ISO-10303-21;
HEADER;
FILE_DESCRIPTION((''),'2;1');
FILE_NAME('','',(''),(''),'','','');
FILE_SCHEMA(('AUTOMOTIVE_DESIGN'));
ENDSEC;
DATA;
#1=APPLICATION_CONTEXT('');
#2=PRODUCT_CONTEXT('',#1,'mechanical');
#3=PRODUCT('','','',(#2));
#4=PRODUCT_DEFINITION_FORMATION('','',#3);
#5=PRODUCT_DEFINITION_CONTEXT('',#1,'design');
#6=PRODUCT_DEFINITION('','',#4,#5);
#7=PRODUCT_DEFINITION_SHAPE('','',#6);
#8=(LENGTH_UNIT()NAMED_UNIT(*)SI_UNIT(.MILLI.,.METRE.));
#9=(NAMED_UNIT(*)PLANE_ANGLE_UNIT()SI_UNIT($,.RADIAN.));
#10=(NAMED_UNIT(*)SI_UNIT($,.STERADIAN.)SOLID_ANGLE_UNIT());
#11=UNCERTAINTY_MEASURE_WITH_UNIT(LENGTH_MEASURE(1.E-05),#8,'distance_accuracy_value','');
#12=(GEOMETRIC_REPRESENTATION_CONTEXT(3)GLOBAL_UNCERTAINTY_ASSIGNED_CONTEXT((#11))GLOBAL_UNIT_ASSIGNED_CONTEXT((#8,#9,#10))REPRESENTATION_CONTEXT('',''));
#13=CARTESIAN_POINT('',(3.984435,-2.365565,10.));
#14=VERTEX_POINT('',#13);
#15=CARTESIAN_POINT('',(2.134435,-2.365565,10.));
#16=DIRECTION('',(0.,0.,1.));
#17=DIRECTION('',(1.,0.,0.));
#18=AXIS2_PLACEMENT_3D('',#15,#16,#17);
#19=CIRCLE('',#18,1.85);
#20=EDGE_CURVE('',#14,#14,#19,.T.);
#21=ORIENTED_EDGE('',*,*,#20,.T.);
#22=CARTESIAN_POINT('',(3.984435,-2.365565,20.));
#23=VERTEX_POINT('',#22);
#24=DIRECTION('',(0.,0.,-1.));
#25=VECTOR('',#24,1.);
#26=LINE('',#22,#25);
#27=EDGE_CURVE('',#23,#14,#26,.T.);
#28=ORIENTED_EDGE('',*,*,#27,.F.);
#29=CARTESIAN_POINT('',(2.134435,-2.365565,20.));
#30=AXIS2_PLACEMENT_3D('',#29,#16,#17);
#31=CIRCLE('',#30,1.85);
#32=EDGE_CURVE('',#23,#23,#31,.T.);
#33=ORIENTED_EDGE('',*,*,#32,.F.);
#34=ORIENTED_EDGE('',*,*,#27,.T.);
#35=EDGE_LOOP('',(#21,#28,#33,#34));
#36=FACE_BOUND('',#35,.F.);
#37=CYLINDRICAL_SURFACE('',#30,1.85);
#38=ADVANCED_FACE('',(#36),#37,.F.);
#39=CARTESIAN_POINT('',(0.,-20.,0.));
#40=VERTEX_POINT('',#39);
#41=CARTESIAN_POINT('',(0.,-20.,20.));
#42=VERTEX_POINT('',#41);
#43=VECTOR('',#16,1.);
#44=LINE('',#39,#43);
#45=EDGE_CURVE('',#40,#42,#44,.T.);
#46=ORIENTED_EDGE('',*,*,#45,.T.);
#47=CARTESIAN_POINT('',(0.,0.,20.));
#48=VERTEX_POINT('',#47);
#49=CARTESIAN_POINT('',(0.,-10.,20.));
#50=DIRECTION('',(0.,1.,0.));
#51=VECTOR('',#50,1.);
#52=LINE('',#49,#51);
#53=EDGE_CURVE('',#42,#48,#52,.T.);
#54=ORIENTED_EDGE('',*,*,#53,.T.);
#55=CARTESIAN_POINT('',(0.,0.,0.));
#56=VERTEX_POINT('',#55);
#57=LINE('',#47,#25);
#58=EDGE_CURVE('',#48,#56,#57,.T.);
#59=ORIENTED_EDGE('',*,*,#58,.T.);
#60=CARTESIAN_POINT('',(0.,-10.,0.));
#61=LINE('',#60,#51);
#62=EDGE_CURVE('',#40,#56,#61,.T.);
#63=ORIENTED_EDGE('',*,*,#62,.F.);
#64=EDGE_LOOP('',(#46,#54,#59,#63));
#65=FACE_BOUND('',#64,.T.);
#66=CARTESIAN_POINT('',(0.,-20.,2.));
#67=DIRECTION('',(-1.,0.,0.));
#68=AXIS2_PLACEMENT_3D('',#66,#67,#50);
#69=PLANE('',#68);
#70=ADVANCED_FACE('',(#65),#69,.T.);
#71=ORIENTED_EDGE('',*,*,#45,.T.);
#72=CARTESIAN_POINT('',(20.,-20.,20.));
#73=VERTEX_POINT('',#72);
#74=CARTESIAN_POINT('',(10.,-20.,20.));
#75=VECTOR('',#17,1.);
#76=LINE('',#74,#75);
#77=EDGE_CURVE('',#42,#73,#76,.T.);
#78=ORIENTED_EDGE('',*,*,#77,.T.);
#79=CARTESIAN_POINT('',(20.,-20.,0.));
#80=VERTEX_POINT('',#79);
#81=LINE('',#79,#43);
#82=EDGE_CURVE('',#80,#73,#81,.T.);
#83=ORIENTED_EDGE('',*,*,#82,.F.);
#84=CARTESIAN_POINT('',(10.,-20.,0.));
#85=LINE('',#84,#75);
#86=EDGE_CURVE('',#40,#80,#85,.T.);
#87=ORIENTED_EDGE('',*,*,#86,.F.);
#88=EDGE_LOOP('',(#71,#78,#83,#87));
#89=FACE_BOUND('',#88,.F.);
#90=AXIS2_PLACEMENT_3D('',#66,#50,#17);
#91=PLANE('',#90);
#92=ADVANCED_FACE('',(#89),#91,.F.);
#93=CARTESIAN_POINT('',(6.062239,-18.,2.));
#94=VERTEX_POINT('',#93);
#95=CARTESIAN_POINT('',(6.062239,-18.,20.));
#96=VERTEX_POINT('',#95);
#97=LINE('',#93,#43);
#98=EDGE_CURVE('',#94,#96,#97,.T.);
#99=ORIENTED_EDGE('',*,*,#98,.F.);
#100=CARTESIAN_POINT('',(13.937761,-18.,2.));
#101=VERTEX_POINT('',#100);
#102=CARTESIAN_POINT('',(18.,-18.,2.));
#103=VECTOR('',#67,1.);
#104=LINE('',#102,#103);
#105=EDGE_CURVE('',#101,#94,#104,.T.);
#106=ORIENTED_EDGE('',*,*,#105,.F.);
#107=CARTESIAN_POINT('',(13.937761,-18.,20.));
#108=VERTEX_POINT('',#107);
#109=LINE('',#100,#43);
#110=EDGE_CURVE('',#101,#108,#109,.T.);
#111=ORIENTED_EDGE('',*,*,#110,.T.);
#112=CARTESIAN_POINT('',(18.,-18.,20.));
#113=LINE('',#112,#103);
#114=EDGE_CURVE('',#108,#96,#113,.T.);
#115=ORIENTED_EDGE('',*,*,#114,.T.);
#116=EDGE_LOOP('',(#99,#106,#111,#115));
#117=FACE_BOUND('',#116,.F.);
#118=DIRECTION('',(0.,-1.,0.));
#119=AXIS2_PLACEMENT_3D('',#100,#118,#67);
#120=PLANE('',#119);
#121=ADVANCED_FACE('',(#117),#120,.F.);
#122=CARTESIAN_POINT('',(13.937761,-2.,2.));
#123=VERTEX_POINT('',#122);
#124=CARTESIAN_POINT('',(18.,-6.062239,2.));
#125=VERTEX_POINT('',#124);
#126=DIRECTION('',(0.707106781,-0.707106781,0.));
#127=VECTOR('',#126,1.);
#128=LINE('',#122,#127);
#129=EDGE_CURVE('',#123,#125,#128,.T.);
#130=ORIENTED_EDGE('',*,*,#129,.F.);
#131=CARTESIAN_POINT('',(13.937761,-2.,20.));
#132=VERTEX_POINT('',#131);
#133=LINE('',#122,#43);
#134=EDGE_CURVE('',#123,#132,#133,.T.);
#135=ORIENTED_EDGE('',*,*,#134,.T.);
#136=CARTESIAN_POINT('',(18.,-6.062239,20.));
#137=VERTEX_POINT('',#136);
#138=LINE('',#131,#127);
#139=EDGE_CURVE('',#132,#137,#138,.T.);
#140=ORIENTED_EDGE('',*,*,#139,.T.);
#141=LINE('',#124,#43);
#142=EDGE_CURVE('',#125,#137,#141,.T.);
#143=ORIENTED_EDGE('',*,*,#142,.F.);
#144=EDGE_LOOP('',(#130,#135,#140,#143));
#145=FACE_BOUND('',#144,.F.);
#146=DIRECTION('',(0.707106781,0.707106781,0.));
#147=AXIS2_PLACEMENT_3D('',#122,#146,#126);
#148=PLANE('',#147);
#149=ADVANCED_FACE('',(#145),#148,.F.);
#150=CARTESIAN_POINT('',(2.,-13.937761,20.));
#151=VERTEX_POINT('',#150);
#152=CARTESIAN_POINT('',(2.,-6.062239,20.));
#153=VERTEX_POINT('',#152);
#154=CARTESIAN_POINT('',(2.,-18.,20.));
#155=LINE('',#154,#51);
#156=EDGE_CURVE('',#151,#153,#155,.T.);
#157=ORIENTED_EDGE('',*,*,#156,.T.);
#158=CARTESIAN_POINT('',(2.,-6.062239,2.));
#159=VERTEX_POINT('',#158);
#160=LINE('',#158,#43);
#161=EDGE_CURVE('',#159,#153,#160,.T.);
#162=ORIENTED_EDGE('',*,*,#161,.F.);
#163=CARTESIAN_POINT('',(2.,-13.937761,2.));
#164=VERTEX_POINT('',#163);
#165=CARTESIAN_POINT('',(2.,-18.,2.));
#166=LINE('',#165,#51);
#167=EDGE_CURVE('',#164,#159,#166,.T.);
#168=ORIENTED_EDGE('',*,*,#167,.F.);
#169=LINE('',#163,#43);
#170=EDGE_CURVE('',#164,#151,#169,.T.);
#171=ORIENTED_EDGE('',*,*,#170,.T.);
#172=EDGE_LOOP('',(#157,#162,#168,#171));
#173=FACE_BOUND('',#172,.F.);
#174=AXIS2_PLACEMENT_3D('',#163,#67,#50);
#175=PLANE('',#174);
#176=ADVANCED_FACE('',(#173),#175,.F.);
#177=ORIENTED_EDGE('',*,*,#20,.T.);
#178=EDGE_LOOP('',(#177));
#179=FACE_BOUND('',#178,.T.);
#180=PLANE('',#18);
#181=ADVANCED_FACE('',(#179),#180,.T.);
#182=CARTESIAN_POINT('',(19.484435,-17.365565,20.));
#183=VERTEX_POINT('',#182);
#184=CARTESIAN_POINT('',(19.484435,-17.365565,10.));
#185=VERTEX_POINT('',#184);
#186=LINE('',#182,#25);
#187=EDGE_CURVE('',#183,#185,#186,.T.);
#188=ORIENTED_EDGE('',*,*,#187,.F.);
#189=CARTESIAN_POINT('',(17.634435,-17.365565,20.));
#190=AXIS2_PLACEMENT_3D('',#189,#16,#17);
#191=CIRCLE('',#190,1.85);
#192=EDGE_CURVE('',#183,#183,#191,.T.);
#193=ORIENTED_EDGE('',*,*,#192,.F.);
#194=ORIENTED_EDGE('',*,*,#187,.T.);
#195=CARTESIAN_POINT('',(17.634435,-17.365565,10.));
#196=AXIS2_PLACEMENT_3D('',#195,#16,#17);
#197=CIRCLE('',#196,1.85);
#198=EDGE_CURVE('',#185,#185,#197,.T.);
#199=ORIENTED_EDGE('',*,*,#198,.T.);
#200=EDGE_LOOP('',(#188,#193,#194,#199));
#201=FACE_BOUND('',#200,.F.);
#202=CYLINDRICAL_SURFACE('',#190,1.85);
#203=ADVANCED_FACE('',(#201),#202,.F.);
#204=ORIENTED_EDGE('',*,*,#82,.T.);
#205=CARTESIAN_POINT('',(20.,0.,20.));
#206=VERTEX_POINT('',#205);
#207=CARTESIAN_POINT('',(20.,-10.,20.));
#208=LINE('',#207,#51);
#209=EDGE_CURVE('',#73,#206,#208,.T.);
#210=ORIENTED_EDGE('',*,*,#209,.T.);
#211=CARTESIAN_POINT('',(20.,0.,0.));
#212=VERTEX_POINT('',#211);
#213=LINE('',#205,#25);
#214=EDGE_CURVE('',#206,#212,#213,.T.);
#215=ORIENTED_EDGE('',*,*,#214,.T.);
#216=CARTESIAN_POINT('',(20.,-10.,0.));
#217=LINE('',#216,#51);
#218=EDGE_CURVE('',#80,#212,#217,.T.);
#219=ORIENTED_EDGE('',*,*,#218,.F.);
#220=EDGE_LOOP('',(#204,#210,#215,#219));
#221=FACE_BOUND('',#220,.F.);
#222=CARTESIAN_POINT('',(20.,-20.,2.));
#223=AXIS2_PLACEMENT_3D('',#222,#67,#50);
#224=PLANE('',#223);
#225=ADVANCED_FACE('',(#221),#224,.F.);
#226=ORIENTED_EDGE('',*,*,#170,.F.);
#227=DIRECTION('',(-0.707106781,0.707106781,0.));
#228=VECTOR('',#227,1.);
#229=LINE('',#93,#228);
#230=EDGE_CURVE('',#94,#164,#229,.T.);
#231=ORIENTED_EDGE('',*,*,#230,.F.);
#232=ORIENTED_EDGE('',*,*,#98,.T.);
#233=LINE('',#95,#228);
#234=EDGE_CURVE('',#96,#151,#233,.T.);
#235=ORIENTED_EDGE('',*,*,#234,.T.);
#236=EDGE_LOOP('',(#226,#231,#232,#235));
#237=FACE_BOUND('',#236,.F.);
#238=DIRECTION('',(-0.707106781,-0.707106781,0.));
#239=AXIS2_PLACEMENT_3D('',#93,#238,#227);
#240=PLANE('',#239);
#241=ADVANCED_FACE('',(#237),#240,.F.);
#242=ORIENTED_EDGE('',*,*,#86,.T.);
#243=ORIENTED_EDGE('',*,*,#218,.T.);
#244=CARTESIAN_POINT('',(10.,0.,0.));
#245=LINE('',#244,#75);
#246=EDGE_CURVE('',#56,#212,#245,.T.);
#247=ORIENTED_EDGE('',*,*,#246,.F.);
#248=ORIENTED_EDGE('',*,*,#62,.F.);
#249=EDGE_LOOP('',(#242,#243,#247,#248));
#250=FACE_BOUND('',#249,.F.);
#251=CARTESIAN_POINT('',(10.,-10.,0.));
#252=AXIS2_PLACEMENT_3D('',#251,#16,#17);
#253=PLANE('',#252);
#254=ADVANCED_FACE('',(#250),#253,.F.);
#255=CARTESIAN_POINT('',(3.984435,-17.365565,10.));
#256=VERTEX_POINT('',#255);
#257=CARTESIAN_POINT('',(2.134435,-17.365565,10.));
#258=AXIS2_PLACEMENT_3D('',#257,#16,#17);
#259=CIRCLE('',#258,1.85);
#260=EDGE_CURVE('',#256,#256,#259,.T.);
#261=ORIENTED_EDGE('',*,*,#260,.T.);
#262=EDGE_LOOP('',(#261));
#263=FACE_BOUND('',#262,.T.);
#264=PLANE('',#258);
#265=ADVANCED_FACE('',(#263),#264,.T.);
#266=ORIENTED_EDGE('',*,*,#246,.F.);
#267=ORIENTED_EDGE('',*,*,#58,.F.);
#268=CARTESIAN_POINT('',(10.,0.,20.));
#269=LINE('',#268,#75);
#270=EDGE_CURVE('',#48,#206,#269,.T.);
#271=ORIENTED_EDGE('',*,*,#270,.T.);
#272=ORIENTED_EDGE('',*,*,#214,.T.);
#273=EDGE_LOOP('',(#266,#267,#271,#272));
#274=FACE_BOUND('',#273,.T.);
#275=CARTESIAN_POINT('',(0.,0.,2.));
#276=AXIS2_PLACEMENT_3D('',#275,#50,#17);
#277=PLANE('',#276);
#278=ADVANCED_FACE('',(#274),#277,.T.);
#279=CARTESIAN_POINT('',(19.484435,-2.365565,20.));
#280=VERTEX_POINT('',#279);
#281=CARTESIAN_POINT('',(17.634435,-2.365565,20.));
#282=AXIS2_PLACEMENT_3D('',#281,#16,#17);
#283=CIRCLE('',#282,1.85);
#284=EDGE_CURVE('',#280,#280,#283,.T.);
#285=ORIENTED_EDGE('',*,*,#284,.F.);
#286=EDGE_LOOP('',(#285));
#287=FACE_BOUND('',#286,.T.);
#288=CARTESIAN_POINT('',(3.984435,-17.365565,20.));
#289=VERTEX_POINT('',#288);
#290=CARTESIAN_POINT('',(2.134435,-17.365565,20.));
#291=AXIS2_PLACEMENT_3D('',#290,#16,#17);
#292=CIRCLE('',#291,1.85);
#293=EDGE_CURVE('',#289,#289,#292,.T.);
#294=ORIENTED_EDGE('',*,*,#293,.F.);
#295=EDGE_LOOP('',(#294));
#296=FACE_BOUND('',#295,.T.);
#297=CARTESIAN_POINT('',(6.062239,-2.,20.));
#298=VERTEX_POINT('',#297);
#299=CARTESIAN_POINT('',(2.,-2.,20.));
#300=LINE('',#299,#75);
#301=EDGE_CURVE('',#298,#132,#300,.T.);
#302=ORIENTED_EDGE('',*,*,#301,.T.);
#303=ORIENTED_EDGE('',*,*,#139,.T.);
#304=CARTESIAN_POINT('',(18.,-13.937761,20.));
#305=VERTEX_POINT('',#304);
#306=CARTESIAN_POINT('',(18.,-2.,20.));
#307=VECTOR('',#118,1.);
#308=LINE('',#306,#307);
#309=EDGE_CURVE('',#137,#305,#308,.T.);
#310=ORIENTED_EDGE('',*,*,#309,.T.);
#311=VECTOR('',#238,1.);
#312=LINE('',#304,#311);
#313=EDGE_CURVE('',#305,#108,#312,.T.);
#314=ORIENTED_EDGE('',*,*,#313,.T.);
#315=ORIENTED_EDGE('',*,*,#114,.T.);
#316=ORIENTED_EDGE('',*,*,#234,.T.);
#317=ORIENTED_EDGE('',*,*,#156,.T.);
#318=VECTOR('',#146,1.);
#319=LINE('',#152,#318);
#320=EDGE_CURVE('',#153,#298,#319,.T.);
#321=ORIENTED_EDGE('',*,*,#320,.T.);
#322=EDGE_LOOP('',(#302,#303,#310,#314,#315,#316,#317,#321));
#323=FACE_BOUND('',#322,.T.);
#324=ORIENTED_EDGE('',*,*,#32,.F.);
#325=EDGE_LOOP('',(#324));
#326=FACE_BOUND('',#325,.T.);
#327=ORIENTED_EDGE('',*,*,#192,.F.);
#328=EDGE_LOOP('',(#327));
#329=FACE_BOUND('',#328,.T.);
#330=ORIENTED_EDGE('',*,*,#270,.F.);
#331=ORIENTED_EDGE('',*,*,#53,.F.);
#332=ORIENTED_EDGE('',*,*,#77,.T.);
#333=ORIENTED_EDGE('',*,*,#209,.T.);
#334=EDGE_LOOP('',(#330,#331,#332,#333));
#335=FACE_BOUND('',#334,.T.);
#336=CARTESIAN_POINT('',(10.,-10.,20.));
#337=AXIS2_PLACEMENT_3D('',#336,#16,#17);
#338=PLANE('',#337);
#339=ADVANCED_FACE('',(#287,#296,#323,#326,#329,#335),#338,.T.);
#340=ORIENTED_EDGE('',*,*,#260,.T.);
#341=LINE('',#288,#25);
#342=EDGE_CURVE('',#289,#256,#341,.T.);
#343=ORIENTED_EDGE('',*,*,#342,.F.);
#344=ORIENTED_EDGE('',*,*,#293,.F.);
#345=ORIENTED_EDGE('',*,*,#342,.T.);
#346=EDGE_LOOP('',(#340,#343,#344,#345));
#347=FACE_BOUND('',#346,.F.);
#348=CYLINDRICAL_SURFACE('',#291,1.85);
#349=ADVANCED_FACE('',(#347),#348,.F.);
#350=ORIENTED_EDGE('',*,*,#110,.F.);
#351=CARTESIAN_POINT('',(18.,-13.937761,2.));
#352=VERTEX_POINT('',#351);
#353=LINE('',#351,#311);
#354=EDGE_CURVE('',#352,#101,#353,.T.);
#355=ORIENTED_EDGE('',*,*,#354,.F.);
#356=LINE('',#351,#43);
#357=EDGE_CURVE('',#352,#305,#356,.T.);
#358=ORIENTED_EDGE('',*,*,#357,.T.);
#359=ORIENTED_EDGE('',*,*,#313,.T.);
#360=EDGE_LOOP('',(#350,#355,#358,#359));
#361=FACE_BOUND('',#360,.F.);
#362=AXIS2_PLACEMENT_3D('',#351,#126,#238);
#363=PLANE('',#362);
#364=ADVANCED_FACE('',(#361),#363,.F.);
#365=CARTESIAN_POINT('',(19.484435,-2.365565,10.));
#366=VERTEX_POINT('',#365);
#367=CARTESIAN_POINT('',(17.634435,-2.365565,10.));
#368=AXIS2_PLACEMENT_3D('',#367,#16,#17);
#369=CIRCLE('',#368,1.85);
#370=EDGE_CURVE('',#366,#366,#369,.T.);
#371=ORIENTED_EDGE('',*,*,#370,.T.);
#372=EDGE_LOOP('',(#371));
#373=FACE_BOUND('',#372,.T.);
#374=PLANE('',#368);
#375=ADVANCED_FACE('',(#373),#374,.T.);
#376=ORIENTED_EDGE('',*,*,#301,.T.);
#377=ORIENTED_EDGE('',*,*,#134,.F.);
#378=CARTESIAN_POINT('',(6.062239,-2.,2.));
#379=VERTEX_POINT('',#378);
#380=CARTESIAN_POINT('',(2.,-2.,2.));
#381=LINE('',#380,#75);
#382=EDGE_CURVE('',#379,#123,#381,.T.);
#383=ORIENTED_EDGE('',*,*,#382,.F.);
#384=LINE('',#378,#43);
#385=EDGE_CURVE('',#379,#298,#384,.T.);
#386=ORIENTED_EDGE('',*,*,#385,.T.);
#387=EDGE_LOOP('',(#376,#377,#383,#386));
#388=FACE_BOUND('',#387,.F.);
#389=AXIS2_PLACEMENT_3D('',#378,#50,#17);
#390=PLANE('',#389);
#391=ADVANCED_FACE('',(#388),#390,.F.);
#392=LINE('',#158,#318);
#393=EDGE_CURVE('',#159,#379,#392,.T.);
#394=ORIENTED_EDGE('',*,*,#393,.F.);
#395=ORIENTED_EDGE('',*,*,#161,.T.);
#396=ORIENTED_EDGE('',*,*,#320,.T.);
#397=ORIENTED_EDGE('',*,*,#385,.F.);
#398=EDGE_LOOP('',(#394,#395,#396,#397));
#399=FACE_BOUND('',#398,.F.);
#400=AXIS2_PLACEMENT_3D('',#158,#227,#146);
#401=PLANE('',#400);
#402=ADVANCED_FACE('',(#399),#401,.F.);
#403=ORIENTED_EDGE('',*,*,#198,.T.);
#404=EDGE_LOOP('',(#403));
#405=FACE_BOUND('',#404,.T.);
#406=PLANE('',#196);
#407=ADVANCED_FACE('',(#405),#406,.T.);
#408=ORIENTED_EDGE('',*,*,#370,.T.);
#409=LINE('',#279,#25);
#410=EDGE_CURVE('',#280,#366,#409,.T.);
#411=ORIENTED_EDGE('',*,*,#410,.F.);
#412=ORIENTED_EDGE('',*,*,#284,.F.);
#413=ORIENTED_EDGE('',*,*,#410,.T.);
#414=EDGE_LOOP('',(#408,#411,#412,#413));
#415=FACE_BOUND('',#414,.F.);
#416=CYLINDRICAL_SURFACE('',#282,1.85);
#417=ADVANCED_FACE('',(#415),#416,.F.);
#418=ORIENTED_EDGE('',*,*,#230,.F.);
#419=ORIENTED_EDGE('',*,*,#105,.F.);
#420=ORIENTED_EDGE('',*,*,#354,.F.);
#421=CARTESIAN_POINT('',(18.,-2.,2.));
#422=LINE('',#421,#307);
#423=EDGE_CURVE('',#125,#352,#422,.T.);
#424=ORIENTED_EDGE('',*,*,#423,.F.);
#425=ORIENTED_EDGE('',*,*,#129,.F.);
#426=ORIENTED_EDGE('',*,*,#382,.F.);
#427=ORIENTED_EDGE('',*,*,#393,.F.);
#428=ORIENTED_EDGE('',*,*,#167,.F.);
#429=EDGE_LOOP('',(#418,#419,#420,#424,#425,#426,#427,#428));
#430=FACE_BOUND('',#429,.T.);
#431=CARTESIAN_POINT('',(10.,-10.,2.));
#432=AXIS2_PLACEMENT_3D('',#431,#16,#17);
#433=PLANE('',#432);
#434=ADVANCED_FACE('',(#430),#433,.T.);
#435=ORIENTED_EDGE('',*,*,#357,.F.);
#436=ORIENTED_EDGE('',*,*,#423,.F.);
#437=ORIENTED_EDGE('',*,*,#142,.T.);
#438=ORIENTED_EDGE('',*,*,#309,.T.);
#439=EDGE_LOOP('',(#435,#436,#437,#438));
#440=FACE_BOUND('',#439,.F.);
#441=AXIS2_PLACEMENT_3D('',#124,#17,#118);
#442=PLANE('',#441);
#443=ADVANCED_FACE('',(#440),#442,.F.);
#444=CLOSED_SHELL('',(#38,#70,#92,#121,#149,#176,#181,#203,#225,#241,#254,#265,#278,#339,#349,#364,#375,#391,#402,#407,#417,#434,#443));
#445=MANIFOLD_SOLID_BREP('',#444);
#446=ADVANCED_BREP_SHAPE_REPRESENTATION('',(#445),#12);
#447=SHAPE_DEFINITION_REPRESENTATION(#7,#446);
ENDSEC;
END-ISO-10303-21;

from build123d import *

# Parameters (mm, degrees)
F2_W     = 20
F2_H     = 20
F3_DEPTH = 2
F4_W     = 20
F4_H     = 20
F5_DEPTH = 18
F6_R     = 1.85
F7_DEPTH = 10


with BuildPart() as f3:
    # F2 (on Top) → F3 (new body)
    with BuildSketch(Plane.XY):
        with Locations((10, -10)):
            Rectangle(F2_W, F2_H)
    extrude(amount=F3_DEPTH)

    # F4 (on face) → F5 (join)
    with BuildSketch(Plane.XY.offset(2)):
        with Locations((10, -10)):
            Rectangle(F4_W, F4_H)
        Polygon((2, -6.06223871), (2, -2), (6.06223871, -2), (13.93776129, -2), (18, -2), (18, -6.06223871), (18, -13.93776129), (18, -18), (13.93776129, -18), (6.06223871, -18), (2, -18), (2, -13.93776129), align=None, mode=Mode.SUBTRACT)
        Polygon((6.06223871, -2), (2, -2), (2, -6.06223871), align=None)
        Polygon((18, -2), (13.93776129, -2), (18, -6.06223871), align=None)
        Polygon((18, -18), (18, -13.93776129), (13.93776129, -18), align=None)
        Polygon((6.06223871, -18), (2, -13.93776129), (2, -18), align=None)
    extrude(amount=F5_DEPTH)

    # F6 (on face) → F7 (cut)
    with BuildSketch(Plane.XY.offset(20)):
        with Locations((2.1344347065, -2.3655652935)):
            Circle(F6_R)
        with Locations((17.6344347065, -2.3655652935)):
            Circle(F6_R)
        with Locations((17.6344347065, -17.3655652935)):
            Circle(F6_R)
        with Locations((2.1344347065, -17.3655652935)):
            Circle(F6_R)
    extrude(amount=-F7_DEPTH, mode=Mode.SUBTRACT)


solid = f3.part
